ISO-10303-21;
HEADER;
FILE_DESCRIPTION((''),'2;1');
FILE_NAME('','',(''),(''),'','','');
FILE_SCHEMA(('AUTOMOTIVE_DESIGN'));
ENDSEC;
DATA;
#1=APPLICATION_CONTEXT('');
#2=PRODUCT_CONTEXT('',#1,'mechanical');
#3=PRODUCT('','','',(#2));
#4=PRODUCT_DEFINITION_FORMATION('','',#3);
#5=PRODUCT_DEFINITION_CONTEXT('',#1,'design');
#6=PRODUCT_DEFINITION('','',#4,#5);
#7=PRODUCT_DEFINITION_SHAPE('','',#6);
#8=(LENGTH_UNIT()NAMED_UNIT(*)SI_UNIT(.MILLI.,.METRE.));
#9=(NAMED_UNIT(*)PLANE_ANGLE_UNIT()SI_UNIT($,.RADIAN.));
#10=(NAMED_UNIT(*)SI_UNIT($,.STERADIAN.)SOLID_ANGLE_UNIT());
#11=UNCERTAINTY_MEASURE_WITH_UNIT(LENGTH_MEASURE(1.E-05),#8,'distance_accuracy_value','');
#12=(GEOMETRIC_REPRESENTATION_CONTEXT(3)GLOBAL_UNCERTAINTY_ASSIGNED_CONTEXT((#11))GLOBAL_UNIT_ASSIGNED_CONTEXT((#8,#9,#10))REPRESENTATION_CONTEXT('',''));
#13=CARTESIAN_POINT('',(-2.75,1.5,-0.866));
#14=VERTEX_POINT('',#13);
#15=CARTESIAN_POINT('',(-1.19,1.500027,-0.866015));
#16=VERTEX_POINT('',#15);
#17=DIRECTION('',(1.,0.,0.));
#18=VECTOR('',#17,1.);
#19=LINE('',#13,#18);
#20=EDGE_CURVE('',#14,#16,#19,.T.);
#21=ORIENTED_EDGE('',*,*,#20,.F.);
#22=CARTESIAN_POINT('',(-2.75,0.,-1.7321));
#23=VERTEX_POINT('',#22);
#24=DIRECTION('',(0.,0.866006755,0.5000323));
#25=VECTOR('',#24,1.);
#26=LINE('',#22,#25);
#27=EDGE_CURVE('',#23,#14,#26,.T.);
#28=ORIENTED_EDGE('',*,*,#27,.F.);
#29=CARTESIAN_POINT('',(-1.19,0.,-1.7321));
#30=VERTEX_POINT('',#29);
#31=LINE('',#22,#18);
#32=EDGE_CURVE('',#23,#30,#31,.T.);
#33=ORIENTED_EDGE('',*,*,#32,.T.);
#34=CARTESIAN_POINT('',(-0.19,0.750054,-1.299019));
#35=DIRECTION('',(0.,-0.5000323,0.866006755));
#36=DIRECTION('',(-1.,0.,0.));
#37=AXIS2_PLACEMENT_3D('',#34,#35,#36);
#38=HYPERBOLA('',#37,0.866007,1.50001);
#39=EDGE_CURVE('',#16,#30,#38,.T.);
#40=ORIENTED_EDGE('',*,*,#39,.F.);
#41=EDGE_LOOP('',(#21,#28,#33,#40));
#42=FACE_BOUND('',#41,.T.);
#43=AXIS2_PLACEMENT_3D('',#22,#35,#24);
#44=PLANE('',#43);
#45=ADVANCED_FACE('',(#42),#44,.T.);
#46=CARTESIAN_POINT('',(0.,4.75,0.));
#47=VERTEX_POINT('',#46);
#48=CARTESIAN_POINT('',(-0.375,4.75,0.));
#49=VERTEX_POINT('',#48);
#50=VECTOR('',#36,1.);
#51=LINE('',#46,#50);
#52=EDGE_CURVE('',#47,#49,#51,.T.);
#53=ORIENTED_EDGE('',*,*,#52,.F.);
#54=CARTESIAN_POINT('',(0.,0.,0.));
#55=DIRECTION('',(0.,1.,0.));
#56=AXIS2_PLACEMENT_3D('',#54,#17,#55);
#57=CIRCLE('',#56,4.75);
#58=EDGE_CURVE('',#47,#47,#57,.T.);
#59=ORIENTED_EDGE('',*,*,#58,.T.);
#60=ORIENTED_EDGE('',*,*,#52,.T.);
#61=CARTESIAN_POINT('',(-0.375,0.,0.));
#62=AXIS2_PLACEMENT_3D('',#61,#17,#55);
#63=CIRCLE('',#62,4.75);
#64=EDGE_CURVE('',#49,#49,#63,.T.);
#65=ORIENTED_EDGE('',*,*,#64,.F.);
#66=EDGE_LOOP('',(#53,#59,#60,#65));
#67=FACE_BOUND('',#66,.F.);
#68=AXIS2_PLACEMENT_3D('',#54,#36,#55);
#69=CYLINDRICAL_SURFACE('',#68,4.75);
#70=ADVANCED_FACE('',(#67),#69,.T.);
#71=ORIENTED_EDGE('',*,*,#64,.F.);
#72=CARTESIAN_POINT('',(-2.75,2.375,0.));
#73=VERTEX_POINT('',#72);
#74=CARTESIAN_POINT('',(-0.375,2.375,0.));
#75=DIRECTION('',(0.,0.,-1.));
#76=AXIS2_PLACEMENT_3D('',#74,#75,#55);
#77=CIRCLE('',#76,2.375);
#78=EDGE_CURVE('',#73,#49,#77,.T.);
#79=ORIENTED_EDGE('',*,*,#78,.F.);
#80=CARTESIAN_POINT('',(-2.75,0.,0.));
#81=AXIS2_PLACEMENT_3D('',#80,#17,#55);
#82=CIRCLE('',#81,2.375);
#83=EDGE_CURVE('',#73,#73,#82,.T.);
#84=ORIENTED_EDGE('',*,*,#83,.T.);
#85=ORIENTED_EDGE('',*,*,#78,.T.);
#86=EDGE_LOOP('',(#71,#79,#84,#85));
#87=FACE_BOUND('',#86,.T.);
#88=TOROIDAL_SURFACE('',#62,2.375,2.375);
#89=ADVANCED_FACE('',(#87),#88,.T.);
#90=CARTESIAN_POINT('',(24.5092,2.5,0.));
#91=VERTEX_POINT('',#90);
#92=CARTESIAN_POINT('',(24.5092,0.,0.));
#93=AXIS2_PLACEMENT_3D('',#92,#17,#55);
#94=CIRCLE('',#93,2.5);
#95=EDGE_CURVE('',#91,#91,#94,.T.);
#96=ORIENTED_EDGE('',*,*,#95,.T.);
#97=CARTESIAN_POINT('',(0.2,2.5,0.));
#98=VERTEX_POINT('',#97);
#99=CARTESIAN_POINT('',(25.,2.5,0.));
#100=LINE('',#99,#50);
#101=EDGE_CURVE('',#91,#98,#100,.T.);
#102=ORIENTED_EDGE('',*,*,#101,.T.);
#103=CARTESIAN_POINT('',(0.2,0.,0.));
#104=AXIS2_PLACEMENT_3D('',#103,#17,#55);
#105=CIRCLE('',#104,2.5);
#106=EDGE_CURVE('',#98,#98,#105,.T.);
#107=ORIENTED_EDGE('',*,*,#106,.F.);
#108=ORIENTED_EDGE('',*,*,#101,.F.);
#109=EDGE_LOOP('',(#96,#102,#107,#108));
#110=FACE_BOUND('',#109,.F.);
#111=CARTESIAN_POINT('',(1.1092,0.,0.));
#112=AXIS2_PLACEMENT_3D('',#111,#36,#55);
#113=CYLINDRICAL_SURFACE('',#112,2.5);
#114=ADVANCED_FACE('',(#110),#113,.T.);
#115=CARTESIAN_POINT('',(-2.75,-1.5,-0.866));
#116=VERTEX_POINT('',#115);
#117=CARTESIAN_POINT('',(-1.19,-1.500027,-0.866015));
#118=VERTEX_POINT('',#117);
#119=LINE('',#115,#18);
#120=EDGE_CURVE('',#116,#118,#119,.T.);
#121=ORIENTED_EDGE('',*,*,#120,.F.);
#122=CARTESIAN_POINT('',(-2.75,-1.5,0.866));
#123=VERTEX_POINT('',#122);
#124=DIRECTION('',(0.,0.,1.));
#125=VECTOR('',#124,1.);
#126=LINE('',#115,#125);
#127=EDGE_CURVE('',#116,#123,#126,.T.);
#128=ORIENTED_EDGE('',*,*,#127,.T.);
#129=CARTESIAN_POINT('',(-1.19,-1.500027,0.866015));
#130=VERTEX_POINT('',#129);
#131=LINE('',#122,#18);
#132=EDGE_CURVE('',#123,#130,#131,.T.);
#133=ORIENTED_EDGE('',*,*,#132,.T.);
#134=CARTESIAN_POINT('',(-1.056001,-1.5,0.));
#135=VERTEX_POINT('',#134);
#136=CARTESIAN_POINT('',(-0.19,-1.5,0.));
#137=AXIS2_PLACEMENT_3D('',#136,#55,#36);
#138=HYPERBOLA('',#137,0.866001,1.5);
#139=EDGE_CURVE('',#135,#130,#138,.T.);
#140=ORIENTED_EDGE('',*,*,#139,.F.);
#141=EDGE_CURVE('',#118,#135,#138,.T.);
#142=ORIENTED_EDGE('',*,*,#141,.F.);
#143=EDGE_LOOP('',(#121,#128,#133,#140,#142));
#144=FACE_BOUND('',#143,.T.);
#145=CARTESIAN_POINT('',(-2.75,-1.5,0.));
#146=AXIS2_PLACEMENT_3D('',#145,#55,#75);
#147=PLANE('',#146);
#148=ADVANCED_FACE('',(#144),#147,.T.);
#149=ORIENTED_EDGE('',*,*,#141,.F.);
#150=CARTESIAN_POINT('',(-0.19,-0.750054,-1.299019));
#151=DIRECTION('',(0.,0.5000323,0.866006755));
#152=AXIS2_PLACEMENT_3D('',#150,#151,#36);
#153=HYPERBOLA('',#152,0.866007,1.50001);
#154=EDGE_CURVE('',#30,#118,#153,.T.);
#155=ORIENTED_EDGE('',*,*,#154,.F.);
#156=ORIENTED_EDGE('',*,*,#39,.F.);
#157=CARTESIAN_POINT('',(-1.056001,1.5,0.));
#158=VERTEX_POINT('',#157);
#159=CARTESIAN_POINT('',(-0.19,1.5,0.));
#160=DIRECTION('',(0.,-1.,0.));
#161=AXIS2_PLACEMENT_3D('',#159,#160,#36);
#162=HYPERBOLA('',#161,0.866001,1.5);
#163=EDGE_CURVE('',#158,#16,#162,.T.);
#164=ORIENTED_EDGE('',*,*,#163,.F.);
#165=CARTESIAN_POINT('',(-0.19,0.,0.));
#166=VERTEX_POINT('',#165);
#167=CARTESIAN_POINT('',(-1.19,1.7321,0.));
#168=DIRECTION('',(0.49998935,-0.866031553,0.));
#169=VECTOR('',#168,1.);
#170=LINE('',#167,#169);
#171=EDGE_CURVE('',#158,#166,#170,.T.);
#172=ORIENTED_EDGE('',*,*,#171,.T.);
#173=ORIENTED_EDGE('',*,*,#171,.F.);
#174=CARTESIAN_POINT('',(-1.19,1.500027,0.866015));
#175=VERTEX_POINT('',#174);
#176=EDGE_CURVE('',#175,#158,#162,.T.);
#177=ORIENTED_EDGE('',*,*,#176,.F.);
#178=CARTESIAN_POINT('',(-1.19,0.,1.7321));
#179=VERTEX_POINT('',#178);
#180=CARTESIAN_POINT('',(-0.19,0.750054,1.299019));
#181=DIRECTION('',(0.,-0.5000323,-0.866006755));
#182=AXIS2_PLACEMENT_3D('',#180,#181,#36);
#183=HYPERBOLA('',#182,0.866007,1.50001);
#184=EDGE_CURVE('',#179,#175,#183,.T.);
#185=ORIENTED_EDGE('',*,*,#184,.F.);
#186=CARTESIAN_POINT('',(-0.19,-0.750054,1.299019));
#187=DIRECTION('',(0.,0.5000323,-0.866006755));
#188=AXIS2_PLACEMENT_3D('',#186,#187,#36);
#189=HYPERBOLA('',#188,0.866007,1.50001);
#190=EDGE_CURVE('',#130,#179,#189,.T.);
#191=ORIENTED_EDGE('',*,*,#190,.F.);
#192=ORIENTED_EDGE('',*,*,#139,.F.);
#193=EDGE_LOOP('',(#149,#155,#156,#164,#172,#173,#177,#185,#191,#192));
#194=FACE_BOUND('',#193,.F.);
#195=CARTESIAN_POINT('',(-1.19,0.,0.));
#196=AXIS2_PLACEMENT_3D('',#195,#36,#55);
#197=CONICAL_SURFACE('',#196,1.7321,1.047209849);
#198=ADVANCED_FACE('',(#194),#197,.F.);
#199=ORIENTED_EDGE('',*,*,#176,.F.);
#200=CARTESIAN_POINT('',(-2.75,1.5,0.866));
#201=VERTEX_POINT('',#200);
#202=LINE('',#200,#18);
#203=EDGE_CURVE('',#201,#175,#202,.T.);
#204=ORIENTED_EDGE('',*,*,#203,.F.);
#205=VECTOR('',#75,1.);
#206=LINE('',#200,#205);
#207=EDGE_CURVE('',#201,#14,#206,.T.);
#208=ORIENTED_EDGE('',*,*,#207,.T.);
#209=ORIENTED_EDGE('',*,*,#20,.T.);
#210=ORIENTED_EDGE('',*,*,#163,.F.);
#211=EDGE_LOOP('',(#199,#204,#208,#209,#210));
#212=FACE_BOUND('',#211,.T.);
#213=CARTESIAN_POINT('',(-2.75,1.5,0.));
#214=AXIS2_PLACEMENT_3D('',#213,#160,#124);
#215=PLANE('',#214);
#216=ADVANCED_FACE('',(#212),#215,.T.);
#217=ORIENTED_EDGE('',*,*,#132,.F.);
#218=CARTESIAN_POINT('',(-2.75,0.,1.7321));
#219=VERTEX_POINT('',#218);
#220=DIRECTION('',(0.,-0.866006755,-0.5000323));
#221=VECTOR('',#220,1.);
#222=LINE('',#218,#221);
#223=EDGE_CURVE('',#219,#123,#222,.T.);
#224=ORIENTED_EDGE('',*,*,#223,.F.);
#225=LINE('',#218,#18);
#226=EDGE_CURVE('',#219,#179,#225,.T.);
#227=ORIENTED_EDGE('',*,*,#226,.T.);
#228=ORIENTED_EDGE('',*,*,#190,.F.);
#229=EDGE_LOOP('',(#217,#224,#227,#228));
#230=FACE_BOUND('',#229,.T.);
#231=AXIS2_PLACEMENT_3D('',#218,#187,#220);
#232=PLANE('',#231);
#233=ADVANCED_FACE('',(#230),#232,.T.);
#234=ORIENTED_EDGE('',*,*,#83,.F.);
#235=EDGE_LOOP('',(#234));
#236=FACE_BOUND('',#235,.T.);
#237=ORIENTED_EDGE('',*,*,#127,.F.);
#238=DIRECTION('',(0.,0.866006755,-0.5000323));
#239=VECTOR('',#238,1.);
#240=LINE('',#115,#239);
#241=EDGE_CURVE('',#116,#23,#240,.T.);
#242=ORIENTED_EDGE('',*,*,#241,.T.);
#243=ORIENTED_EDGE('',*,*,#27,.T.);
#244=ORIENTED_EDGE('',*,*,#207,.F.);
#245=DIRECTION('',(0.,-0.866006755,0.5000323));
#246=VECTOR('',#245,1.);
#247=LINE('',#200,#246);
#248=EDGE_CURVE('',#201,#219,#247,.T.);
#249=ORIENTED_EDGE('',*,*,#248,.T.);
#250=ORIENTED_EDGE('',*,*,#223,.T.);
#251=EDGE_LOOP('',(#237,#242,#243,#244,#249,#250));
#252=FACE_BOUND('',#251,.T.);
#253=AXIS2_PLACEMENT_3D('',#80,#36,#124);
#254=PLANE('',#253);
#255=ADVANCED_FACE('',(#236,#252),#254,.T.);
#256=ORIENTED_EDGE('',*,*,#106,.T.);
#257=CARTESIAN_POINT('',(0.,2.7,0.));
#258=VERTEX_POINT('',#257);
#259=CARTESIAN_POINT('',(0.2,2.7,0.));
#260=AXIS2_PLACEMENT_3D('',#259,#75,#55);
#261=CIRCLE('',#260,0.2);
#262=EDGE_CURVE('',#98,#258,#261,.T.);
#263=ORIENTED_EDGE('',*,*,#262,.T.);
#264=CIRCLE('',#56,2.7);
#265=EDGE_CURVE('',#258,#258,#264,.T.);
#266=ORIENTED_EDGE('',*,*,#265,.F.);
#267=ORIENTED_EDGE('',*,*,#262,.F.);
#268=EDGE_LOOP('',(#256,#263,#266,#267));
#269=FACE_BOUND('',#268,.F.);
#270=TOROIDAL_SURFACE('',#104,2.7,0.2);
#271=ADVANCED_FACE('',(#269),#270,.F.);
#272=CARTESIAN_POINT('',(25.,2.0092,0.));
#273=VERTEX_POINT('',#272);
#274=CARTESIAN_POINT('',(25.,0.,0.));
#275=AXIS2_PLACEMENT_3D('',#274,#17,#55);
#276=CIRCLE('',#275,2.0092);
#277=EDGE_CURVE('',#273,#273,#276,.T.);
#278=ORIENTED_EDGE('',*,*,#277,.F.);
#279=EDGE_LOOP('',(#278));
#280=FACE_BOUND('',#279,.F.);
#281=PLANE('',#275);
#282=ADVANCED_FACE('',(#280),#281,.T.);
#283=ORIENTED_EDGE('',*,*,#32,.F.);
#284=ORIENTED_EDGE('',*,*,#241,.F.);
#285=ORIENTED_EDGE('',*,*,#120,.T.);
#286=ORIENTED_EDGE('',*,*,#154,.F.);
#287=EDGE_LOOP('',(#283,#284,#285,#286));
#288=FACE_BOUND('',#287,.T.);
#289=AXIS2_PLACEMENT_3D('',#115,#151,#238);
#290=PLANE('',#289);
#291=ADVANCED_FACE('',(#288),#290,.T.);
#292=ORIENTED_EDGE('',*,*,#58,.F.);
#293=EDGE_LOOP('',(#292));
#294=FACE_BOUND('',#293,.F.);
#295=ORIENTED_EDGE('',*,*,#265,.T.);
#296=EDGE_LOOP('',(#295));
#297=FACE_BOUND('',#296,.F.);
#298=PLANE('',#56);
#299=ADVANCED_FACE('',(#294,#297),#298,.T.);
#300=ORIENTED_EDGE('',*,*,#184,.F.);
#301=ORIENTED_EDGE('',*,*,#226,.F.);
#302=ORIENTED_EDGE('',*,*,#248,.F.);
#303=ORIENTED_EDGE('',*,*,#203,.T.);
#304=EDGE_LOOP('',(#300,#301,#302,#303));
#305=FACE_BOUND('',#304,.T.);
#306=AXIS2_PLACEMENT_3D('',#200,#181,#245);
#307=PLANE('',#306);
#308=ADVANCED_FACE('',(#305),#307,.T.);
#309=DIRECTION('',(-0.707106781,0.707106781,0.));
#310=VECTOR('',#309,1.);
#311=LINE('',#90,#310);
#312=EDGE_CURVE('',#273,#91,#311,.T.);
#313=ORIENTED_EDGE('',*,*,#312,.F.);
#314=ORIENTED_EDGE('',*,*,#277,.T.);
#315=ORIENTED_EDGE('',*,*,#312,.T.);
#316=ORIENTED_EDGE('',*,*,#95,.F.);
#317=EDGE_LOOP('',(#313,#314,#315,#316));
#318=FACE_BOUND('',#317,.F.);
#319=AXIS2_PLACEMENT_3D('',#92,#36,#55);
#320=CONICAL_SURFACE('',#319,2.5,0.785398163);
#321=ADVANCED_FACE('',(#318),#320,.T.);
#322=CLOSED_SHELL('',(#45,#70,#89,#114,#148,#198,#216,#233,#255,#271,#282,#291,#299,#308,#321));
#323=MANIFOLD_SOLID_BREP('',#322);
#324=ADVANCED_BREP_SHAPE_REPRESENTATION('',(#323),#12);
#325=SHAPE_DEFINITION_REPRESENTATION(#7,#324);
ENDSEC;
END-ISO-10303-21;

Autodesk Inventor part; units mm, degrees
ref_plane "YZ Plane" through (0, 0, 0) normal (1, 0, 0) x (0, 1, 0)
ref_plane "XZ Plane" through (0, 0, 0) normal (0, 1, 0) x (-1, 0, 0)
sketch "Sketch1" plane through (0, 0, 0) normal (0, 0, 1) x (1, 0, 0)
  line L0 (-0.19, 0) -> (25, 0)
  line L1 (25, 0) -> (25, 2.5)
  line L2 (25, 2.5) -> (1.6, 2.5)
  line L3 (1.6, 2.5) -> (1.1092, 2.5)
  line L4 (1.1092, 2.5) -> (0, 2.5)
  line L5 (0, 2.5) -> (0, 4.75)
  line L6 (0, 4.75) -> (-2.75, 4.75)
  line L7 (-2.75, 4.75) -> (-2.75, 1.7321)
  line L8 (-2.75, 1.7321) -> (-1.19, 1.7321)
  line L9 (-1.19, 1.7321) -> (-0.19, 0)
  line L10 (-8.3, 0) -> (30.55, 0) projected
  line L11 (0, -0.95) -> (0, 5.7) projected
  line L12 (1.6, 2.5) -> (0, 2.5) construction
  dimension "d0" = 23.4
  dimension "d1" = 0.4908
  dimension "d2" = 2.75
  dimension "d3" = 1.56
  dimension "d4" = 60
  dimension "d5" = 5
  dimension "d6" = 5
  dimension "d7" = 3.4641
  dimension "d8" = 9.5
  dimension "d19" = 25
revolve "Body" add sketch "Sketch1" angle 360 about axis through (-0.19, 0, 0) along (1, 0, 0)
sketch "Sketch2" plane through (-2.75, 0, 0) normal (-1, 0, 0) x (0, 0, 1)
  circle A0 centre (0, 0) radius 1.7321 projected
  line L0 (0, -6.65) -> (0, 6.65) projected
  line L1 (-6.65, 0) -> (6.65, 0) projected
  line L2 (1.7321, 0) -> (0.866, -1.5)
  line L3 (0.866, -1.5) -> (-0.866, -1.5)
  line L4 (-0.866, -1.5) -> (-1.7321, 0)
  line L5 (-1.7321, 0) -> (-0.866, 1.5)
  line L6 (-0.866, 1.5) -> (0.866, 1.5)
  line L7 (0.866, 1.5) -> (1.7321, 0)
extrude "Slot" add sketch "Sketch2" against normal up to next contours L7 A0 | A0 L2 | L6 L0 A0 | A0 L0 L3 | L0 L6 A0 | A0 L3 L0 | L4 A0 | A0 L5
fillet "Fillet1" radius 2.375 1 edges at (-2.75, -4.75, 0)
thread "Thread" size "M5x0.8" class "4g6g" standard "ANSI Metric M Profile" length 23.4
chamfer "Chamfer1" distance 0.4908 distance2 0.4908 1 edges at (25, -2.5, 0) measured on face at (25, -0.5525, -0.0341)
fillet "Fillet2" radius 0.2 1 edges at (0, -2.5, 0)
ref_plane "Work Plane1" through (30, 0, 0) normal (0, -0.5, 0.866) x (1, 0, 0)
equation "\"d0\" = GEL"
equation "\"d1\" = GAL"
equation "\"d2\" = KOH"
equation "\"d3\" = INTI"
equation "\"d5\" = GD"
equation "\"d6\" = BDM"
equation "\"d7\" = 1.1547 * SW"
equation "\"d8\" = KOD"
equation "\"d19\" = NLG"
equation "\"d16\" = RR"
equation "\"d12\" = GEL"
equation "\"d14\" = -0.5 * SPD + 0.5 * GD"
equation "\"d15\" = GUL"
equation "\"d29\" = R"
equation "\"GD\" = NND"
equation "\"NLG\" = 25"
equation "\"GEL\" = 23.4"
equation "\"KOD\" = 9.5"
equation "\"KOH\" = 2.75"
equation "\"INTI\" = 1.56"
equation "\"GAL\" = 0.61345 * PTC"
equation "\"GUL\" = 0.61345 * PTC"
equation "\"BDM\" = NND"
equation "\"SW\" = 3"
equation "\"RR\" = 2.375"
equation "\"SPD\" = 4.01848"
equation "\"d28\" = R"
equation "\"R\" = 0.2"
equation "\"TOA\" = 30deg"
equation "\"THREADDIA\" = 5"
equation "\"KOD1\" = KOD - 2 * RR"
equation "\"PTC\" = 0.8"
equation "\"NND\" = 5"
equation "\"E0\" = 1.155 * SW"
equation "\"GD1\" = THREADDIA - 1.2269 * PTC"
properties part number "ANSI B18.3.4M - M5 x 0.8 x 25"
